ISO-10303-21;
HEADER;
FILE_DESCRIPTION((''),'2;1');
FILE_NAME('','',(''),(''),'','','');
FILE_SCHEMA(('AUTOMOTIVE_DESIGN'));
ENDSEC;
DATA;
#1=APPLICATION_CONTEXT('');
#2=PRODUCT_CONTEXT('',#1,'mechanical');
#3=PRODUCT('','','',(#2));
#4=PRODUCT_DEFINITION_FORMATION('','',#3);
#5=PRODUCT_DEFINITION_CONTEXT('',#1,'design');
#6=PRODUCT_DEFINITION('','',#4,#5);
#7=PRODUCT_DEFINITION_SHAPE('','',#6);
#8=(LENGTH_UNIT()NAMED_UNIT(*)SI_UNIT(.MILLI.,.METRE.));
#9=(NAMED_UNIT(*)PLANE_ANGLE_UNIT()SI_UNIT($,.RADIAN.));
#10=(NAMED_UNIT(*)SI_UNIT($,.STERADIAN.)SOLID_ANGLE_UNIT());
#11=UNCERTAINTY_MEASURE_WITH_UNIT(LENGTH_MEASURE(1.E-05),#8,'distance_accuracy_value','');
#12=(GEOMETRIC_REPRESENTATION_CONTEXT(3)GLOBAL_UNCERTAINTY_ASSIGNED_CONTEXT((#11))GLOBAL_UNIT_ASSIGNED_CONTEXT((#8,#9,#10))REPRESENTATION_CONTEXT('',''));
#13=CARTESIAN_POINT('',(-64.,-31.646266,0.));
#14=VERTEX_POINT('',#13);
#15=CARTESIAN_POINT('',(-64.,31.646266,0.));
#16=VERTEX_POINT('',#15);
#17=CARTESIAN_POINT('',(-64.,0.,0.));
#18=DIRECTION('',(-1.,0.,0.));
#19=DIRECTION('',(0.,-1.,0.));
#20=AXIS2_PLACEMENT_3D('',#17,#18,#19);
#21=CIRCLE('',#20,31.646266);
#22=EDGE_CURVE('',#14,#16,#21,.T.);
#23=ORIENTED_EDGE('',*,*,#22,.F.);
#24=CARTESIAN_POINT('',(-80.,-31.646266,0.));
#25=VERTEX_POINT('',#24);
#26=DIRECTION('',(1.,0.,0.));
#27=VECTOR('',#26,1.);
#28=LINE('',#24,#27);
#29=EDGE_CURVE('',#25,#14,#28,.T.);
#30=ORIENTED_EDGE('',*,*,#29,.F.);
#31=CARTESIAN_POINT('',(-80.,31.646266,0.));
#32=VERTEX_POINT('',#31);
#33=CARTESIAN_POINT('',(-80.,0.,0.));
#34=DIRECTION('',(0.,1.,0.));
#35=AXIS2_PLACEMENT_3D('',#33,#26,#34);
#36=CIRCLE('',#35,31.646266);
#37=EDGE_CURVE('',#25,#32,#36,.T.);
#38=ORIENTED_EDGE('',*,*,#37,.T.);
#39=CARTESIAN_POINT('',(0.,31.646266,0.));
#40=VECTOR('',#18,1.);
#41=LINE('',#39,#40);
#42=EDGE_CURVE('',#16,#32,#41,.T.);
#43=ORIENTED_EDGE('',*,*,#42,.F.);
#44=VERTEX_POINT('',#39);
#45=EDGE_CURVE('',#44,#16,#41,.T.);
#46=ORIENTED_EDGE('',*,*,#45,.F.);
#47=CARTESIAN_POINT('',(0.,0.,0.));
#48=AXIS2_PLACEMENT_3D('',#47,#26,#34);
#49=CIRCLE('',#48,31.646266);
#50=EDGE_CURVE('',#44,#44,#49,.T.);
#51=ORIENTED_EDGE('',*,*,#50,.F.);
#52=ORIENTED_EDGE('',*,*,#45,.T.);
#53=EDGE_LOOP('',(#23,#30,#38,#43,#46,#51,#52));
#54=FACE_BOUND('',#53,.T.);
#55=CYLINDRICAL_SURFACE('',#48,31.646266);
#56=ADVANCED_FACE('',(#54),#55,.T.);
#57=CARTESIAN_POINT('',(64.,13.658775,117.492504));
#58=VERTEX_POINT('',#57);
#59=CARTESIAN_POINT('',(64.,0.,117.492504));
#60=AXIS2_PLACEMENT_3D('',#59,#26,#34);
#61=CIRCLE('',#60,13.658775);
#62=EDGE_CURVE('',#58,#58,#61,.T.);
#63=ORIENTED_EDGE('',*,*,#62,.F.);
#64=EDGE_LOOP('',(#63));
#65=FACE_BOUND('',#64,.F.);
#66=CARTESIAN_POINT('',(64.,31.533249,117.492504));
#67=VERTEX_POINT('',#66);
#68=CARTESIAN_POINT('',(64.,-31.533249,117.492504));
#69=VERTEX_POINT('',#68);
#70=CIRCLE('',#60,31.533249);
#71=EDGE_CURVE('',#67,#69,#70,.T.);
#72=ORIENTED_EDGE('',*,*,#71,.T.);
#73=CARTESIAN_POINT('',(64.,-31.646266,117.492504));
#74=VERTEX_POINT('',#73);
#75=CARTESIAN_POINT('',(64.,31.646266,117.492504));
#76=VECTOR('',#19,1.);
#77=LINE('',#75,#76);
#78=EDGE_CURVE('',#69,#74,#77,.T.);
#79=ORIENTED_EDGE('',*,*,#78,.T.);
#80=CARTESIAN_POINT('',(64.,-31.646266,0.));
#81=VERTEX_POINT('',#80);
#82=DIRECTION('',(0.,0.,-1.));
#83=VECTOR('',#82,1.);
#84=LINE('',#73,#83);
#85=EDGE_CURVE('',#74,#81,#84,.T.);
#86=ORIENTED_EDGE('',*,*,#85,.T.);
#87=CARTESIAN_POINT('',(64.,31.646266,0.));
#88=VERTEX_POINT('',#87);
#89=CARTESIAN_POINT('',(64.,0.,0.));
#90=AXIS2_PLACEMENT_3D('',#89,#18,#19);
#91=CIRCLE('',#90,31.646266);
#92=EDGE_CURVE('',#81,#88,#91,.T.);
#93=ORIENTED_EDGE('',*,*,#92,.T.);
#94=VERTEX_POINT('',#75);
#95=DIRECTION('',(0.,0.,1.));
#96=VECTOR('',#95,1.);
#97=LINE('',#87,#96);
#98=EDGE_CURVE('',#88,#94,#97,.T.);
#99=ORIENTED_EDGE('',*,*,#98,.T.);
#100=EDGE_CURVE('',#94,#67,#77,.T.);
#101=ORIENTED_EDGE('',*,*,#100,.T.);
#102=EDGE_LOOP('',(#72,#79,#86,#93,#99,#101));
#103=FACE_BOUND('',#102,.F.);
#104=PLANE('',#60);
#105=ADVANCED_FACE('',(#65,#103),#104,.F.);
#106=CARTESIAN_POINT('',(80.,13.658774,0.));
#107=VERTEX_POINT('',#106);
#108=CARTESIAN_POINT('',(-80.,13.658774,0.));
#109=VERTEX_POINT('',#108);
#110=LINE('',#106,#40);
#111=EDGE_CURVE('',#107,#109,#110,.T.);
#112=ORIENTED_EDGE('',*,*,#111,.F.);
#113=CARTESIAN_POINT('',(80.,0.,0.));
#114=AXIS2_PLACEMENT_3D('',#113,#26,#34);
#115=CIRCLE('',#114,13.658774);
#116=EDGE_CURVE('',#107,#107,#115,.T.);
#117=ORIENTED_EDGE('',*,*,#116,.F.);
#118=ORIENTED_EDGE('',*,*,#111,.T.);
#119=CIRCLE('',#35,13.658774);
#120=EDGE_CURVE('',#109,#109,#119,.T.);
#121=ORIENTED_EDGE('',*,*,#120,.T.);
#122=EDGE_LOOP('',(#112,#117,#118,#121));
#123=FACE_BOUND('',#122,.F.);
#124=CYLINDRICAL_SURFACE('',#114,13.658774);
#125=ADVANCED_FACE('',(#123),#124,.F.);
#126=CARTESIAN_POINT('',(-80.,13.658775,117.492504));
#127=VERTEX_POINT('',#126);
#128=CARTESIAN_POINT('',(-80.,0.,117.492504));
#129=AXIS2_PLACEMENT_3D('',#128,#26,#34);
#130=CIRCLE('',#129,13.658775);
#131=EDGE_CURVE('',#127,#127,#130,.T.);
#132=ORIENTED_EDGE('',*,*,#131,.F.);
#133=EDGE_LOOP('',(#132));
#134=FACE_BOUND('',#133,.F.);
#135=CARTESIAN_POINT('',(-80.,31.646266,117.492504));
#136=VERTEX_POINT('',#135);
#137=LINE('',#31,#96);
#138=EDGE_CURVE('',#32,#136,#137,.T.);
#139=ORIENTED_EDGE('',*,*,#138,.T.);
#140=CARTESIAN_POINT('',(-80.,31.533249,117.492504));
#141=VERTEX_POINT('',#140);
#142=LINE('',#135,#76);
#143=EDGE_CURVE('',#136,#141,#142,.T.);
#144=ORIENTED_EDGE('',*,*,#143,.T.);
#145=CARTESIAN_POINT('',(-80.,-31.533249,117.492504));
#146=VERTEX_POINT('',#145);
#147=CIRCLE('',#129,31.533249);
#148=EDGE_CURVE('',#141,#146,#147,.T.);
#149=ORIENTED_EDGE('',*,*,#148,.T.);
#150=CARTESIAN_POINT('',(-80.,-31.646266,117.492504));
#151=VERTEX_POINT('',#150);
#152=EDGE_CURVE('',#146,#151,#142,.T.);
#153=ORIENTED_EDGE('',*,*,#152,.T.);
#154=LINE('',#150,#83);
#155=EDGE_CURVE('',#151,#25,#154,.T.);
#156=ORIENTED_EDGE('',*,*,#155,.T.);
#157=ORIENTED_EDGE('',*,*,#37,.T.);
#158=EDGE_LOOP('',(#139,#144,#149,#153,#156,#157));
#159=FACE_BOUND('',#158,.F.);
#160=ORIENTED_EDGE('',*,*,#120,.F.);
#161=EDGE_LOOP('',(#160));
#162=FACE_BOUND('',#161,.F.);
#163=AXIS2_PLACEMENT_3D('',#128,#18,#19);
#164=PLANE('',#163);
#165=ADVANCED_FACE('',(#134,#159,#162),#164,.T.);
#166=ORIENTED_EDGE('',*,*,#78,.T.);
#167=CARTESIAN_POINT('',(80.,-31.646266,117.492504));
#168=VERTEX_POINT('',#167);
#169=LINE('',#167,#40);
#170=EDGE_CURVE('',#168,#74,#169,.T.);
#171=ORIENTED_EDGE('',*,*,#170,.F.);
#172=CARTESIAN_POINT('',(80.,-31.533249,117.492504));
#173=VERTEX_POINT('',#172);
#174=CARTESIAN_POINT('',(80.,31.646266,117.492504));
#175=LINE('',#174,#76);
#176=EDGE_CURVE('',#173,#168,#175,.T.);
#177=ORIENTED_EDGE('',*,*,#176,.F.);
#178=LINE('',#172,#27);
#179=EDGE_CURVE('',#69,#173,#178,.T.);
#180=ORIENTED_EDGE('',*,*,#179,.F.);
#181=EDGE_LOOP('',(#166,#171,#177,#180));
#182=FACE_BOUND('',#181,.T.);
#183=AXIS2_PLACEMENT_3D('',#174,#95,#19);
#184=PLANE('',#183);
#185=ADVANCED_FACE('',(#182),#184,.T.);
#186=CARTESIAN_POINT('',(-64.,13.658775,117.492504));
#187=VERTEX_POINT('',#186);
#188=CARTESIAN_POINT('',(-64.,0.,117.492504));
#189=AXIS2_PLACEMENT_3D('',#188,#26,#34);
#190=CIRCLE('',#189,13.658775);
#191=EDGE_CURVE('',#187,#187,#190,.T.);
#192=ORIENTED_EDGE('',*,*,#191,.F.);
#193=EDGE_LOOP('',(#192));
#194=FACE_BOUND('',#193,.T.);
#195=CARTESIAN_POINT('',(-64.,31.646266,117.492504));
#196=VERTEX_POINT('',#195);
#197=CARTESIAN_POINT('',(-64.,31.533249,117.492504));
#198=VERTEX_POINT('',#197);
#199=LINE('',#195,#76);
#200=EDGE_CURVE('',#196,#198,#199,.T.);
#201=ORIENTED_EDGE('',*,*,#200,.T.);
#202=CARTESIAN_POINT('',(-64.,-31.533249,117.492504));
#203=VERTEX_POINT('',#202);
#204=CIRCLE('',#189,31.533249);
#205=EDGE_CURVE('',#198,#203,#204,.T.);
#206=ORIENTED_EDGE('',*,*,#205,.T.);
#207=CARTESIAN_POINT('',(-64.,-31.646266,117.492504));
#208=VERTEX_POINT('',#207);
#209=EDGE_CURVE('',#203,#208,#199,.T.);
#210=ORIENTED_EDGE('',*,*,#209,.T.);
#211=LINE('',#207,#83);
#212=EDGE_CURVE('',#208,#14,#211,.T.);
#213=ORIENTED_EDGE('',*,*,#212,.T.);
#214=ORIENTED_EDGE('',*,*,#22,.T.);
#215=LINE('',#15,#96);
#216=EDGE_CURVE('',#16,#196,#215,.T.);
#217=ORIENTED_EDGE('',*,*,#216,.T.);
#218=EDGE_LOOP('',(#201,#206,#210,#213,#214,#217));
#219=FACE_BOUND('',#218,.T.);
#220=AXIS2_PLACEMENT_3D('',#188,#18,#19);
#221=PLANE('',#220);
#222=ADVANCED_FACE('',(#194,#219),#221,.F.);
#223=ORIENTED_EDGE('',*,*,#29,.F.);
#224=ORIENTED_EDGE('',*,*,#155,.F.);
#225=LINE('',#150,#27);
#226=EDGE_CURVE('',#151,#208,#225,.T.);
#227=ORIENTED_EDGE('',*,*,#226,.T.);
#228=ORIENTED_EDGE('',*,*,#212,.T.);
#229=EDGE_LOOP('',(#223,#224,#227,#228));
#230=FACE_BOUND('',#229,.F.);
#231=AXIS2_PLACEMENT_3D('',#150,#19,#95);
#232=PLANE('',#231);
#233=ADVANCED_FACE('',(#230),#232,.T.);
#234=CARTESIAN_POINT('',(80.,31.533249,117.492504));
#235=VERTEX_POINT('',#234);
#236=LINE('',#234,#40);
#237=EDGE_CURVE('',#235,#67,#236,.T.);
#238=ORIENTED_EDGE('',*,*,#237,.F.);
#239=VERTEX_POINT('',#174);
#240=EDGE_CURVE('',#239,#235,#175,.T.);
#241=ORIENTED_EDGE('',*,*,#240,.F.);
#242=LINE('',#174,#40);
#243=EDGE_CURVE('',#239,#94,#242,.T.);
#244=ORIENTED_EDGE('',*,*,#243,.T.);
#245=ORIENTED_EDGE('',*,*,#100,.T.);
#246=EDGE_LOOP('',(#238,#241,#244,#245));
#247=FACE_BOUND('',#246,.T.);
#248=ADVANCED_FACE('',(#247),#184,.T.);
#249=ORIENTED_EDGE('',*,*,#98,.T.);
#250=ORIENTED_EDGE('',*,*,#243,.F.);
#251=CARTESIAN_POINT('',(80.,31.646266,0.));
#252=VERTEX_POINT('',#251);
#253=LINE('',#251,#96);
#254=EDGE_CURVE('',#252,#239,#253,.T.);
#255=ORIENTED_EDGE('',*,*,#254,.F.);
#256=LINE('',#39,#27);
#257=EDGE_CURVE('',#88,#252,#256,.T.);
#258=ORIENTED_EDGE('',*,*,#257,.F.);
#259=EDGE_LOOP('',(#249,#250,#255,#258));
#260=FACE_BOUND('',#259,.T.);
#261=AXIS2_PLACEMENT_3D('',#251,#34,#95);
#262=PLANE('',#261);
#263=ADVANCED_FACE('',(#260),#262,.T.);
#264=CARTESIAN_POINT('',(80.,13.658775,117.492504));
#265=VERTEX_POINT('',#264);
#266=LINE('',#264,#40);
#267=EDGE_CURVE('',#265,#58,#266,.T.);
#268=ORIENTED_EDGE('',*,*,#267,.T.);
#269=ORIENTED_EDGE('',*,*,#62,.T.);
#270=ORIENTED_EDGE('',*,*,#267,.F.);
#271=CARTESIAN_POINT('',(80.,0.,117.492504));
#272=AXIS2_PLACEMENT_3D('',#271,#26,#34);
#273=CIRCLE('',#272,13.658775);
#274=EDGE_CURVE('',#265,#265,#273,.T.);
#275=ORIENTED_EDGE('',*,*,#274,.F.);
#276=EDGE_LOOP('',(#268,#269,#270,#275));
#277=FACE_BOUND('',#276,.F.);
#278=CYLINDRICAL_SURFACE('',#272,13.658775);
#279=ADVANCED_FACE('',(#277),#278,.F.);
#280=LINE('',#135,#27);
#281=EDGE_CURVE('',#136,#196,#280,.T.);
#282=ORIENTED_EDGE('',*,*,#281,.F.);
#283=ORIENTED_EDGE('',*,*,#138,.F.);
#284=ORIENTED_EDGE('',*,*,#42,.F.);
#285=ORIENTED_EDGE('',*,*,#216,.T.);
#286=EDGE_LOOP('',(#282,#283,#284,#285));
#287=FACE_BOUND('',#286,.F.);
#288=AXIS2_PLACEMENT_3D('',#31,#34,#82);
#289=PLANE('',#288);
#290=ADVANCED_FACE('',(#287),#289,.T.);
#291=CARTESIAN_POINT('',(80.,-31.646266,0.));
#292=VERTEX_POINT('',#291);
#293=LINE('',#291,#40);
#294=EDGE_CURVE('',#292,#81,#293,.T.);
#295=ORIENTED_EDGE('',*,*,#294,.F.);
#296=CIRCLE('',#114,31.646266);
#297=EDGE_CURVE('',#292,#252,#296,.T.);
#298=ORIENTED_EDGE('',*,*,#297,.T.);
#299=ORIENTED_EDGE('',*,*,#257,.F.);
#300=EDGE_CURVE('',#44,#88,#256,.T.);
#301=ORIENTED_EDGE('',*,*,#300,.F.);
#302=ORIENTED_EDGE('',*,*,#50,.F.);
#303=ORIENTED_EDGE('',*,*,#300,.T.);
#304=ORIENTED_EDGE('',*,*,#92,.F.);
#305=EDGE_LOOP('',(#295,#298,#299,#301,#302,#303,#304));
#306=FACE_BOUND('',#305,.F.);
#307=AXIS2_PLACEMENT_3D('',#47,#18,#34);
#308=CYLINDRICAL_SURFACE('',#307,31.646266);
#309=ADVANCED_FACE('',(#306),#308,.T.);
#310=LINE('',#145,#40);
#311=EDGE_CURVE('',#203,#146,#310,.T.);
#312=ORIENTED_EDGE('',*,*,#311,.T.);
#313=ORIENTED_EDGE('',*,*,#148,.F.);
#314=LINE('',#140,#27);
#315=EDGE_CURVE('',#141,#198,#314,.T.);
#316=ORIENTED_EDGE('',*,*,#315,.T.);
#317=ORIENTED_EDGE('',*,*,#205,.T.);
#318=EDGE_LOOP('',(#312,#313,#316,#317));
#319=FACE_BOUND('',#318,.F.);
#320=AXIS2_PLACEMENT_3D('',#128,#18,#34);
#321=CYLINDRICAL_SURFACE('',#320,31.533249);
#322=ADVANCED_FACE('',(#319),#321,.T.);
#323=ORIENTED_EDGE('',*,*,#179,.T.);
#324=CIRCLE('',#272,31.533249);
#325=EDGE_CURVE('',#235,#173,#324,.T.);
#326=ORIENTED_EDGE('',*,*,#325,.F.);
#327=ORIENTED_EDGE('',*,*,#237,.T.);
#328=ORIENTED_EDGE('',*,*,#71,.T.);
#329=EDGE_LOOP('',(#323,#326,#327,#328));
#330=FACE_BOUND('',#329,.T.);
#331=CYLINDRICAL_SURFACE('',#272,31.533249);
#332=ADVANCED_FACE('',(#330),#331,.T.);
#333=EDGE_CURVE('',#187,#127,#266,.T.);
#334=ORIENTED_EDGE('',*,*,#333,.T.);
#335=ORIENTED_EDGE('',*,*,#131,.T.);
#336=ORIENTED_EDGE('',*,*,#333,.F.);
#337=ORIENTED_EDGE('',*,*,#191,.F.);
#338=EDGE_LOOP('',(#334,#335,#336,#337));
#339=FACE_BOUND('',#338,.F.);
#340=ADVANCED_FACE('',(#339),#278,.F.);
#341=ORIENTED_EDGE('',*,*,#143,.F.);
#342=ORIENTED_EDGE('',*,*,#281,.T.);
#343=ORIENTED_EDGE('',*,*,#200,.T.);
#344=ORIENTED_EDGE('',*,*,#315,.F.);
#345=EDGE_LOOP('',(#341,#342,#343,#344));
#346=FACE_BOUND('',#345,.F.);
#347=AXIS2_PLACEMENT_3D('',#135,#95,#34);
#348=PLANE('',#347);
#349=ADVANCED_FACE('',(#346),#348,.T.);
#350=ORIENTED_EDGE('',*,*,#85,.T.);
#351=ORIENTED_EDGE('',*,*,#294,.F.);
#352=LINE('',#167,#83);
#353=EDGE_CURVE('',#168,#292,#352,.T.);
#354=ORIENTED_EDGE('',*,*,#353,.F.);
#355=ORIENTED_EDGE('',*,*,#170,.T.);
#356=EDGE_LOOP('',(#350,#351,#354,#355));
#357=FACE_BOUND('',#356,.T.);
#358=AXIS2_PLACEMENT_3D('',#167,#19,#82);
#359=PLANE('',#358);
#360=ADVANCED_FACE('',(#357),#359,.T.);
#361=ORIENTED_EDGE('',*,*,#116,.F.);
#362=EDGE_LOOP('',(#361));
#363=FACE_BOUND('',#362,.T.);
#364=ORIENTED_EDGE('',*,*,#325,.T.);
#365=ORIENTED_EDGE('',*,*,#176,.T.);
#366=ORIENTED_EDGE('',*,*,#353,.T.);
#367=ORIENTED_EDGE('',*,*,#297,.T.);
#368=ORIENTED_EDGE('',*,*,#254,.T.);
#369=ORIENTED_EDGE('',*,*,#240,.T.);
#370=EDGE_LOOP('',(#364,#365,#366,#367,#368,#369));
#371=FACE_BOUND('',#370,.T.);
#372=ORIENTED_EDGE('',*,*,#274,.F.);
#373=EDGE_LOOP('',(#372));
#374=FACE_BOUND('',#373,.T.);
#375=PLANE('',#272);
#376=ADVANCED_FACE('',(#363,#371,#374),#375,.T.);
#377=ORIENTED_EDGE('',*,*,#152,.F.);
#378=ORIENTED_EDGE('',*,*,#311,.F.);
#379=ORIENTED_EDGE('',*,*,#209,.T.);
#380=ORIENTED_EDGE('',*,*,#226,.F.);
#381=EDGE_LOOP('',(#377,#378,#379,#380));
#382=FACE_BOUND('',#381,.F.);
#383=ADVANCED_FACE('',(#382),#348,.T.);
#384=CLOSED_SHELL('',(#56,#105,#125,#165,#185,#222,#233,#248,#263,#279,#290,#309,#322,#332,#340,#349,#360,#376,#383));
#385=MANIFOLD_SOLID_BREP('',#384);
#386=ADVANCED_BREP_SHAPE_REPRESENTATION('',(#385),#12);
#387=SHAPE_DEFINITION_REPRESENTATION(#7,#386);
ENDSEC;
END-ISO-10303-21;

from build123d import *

# Parameters (mm, degrees)
F0_R      = 31.646266
F1_DEPTH  = 80
F3_DEPTH  = 16
F4_R      = 31.533249
F5_DEPTH  = 16
F7_R      = 13.658774
F8_DEPTH  = 193
F9_R      = 13.658775
F10_DEPTH = 212


with BuildPart() as f1:
    # F0 (on Right) → F1 (new body)
    with BuildSketch(Plane.YZ):
        Circle(F0_R)
    extrude(amount=F1_DEPTH)

    # F2 (on face) → F3 (join)
    with BuildSketch(Plane.YZ.offset(80)):
        with BuildLine():
            Line((31.646266, 0), (31.646266, 117.492504))
            Line((31.646266, 117.492504), (-31.646266, 117.492504))
            Line((-31.646266, 117.492504), (-31.646266, 0))
            ThreePointArc((-31.646266, 0), (0, 31.646266), (31.646266, 0))
        make_face()
        with BuildLine():
            ThreePointArc((-31.646266, 0), (0, -31.646266), (31.646266, 0))
            Line((31.646266, 0), (-31.646266, 0))
        make_face()
    extrude(amount=-F3_DEPTH)

    # F4 (on face) → F5 (join)
    with BuildSketch(Plane.YZ.offset(80)):
        with Locations((0, 117.492504)):
            Circle(F4_R)
    extrude(amount=-F5_DEPTH)

    # F6: F1 across face


with BuildPart() as f1_1:
    add(f1.part)
    add(f1.part.mirror(Plane(origin=(0, 0, 0), x_dir=(0, 1, 0), z_dir=(-1, 0, 0))))

    # F7 (on face) → F8 (cut)
    with BuildSketch(Plane.YZ.offset(80)):
        Circle(F7_R)
    extrude(amount=-F8_DEPTH, mode=Mode.SUBTRACT)

    # F9 (on face) → F10 (cut)
    with BuildSketch(Plane.YZ.offset(80)):
        with Locations((0, 117.492504)):
            Circle(F9_R)
    extrude(amount=-F10_DEPTH, mode=Mode.SUBTRACT)


solid = f1_1.part
